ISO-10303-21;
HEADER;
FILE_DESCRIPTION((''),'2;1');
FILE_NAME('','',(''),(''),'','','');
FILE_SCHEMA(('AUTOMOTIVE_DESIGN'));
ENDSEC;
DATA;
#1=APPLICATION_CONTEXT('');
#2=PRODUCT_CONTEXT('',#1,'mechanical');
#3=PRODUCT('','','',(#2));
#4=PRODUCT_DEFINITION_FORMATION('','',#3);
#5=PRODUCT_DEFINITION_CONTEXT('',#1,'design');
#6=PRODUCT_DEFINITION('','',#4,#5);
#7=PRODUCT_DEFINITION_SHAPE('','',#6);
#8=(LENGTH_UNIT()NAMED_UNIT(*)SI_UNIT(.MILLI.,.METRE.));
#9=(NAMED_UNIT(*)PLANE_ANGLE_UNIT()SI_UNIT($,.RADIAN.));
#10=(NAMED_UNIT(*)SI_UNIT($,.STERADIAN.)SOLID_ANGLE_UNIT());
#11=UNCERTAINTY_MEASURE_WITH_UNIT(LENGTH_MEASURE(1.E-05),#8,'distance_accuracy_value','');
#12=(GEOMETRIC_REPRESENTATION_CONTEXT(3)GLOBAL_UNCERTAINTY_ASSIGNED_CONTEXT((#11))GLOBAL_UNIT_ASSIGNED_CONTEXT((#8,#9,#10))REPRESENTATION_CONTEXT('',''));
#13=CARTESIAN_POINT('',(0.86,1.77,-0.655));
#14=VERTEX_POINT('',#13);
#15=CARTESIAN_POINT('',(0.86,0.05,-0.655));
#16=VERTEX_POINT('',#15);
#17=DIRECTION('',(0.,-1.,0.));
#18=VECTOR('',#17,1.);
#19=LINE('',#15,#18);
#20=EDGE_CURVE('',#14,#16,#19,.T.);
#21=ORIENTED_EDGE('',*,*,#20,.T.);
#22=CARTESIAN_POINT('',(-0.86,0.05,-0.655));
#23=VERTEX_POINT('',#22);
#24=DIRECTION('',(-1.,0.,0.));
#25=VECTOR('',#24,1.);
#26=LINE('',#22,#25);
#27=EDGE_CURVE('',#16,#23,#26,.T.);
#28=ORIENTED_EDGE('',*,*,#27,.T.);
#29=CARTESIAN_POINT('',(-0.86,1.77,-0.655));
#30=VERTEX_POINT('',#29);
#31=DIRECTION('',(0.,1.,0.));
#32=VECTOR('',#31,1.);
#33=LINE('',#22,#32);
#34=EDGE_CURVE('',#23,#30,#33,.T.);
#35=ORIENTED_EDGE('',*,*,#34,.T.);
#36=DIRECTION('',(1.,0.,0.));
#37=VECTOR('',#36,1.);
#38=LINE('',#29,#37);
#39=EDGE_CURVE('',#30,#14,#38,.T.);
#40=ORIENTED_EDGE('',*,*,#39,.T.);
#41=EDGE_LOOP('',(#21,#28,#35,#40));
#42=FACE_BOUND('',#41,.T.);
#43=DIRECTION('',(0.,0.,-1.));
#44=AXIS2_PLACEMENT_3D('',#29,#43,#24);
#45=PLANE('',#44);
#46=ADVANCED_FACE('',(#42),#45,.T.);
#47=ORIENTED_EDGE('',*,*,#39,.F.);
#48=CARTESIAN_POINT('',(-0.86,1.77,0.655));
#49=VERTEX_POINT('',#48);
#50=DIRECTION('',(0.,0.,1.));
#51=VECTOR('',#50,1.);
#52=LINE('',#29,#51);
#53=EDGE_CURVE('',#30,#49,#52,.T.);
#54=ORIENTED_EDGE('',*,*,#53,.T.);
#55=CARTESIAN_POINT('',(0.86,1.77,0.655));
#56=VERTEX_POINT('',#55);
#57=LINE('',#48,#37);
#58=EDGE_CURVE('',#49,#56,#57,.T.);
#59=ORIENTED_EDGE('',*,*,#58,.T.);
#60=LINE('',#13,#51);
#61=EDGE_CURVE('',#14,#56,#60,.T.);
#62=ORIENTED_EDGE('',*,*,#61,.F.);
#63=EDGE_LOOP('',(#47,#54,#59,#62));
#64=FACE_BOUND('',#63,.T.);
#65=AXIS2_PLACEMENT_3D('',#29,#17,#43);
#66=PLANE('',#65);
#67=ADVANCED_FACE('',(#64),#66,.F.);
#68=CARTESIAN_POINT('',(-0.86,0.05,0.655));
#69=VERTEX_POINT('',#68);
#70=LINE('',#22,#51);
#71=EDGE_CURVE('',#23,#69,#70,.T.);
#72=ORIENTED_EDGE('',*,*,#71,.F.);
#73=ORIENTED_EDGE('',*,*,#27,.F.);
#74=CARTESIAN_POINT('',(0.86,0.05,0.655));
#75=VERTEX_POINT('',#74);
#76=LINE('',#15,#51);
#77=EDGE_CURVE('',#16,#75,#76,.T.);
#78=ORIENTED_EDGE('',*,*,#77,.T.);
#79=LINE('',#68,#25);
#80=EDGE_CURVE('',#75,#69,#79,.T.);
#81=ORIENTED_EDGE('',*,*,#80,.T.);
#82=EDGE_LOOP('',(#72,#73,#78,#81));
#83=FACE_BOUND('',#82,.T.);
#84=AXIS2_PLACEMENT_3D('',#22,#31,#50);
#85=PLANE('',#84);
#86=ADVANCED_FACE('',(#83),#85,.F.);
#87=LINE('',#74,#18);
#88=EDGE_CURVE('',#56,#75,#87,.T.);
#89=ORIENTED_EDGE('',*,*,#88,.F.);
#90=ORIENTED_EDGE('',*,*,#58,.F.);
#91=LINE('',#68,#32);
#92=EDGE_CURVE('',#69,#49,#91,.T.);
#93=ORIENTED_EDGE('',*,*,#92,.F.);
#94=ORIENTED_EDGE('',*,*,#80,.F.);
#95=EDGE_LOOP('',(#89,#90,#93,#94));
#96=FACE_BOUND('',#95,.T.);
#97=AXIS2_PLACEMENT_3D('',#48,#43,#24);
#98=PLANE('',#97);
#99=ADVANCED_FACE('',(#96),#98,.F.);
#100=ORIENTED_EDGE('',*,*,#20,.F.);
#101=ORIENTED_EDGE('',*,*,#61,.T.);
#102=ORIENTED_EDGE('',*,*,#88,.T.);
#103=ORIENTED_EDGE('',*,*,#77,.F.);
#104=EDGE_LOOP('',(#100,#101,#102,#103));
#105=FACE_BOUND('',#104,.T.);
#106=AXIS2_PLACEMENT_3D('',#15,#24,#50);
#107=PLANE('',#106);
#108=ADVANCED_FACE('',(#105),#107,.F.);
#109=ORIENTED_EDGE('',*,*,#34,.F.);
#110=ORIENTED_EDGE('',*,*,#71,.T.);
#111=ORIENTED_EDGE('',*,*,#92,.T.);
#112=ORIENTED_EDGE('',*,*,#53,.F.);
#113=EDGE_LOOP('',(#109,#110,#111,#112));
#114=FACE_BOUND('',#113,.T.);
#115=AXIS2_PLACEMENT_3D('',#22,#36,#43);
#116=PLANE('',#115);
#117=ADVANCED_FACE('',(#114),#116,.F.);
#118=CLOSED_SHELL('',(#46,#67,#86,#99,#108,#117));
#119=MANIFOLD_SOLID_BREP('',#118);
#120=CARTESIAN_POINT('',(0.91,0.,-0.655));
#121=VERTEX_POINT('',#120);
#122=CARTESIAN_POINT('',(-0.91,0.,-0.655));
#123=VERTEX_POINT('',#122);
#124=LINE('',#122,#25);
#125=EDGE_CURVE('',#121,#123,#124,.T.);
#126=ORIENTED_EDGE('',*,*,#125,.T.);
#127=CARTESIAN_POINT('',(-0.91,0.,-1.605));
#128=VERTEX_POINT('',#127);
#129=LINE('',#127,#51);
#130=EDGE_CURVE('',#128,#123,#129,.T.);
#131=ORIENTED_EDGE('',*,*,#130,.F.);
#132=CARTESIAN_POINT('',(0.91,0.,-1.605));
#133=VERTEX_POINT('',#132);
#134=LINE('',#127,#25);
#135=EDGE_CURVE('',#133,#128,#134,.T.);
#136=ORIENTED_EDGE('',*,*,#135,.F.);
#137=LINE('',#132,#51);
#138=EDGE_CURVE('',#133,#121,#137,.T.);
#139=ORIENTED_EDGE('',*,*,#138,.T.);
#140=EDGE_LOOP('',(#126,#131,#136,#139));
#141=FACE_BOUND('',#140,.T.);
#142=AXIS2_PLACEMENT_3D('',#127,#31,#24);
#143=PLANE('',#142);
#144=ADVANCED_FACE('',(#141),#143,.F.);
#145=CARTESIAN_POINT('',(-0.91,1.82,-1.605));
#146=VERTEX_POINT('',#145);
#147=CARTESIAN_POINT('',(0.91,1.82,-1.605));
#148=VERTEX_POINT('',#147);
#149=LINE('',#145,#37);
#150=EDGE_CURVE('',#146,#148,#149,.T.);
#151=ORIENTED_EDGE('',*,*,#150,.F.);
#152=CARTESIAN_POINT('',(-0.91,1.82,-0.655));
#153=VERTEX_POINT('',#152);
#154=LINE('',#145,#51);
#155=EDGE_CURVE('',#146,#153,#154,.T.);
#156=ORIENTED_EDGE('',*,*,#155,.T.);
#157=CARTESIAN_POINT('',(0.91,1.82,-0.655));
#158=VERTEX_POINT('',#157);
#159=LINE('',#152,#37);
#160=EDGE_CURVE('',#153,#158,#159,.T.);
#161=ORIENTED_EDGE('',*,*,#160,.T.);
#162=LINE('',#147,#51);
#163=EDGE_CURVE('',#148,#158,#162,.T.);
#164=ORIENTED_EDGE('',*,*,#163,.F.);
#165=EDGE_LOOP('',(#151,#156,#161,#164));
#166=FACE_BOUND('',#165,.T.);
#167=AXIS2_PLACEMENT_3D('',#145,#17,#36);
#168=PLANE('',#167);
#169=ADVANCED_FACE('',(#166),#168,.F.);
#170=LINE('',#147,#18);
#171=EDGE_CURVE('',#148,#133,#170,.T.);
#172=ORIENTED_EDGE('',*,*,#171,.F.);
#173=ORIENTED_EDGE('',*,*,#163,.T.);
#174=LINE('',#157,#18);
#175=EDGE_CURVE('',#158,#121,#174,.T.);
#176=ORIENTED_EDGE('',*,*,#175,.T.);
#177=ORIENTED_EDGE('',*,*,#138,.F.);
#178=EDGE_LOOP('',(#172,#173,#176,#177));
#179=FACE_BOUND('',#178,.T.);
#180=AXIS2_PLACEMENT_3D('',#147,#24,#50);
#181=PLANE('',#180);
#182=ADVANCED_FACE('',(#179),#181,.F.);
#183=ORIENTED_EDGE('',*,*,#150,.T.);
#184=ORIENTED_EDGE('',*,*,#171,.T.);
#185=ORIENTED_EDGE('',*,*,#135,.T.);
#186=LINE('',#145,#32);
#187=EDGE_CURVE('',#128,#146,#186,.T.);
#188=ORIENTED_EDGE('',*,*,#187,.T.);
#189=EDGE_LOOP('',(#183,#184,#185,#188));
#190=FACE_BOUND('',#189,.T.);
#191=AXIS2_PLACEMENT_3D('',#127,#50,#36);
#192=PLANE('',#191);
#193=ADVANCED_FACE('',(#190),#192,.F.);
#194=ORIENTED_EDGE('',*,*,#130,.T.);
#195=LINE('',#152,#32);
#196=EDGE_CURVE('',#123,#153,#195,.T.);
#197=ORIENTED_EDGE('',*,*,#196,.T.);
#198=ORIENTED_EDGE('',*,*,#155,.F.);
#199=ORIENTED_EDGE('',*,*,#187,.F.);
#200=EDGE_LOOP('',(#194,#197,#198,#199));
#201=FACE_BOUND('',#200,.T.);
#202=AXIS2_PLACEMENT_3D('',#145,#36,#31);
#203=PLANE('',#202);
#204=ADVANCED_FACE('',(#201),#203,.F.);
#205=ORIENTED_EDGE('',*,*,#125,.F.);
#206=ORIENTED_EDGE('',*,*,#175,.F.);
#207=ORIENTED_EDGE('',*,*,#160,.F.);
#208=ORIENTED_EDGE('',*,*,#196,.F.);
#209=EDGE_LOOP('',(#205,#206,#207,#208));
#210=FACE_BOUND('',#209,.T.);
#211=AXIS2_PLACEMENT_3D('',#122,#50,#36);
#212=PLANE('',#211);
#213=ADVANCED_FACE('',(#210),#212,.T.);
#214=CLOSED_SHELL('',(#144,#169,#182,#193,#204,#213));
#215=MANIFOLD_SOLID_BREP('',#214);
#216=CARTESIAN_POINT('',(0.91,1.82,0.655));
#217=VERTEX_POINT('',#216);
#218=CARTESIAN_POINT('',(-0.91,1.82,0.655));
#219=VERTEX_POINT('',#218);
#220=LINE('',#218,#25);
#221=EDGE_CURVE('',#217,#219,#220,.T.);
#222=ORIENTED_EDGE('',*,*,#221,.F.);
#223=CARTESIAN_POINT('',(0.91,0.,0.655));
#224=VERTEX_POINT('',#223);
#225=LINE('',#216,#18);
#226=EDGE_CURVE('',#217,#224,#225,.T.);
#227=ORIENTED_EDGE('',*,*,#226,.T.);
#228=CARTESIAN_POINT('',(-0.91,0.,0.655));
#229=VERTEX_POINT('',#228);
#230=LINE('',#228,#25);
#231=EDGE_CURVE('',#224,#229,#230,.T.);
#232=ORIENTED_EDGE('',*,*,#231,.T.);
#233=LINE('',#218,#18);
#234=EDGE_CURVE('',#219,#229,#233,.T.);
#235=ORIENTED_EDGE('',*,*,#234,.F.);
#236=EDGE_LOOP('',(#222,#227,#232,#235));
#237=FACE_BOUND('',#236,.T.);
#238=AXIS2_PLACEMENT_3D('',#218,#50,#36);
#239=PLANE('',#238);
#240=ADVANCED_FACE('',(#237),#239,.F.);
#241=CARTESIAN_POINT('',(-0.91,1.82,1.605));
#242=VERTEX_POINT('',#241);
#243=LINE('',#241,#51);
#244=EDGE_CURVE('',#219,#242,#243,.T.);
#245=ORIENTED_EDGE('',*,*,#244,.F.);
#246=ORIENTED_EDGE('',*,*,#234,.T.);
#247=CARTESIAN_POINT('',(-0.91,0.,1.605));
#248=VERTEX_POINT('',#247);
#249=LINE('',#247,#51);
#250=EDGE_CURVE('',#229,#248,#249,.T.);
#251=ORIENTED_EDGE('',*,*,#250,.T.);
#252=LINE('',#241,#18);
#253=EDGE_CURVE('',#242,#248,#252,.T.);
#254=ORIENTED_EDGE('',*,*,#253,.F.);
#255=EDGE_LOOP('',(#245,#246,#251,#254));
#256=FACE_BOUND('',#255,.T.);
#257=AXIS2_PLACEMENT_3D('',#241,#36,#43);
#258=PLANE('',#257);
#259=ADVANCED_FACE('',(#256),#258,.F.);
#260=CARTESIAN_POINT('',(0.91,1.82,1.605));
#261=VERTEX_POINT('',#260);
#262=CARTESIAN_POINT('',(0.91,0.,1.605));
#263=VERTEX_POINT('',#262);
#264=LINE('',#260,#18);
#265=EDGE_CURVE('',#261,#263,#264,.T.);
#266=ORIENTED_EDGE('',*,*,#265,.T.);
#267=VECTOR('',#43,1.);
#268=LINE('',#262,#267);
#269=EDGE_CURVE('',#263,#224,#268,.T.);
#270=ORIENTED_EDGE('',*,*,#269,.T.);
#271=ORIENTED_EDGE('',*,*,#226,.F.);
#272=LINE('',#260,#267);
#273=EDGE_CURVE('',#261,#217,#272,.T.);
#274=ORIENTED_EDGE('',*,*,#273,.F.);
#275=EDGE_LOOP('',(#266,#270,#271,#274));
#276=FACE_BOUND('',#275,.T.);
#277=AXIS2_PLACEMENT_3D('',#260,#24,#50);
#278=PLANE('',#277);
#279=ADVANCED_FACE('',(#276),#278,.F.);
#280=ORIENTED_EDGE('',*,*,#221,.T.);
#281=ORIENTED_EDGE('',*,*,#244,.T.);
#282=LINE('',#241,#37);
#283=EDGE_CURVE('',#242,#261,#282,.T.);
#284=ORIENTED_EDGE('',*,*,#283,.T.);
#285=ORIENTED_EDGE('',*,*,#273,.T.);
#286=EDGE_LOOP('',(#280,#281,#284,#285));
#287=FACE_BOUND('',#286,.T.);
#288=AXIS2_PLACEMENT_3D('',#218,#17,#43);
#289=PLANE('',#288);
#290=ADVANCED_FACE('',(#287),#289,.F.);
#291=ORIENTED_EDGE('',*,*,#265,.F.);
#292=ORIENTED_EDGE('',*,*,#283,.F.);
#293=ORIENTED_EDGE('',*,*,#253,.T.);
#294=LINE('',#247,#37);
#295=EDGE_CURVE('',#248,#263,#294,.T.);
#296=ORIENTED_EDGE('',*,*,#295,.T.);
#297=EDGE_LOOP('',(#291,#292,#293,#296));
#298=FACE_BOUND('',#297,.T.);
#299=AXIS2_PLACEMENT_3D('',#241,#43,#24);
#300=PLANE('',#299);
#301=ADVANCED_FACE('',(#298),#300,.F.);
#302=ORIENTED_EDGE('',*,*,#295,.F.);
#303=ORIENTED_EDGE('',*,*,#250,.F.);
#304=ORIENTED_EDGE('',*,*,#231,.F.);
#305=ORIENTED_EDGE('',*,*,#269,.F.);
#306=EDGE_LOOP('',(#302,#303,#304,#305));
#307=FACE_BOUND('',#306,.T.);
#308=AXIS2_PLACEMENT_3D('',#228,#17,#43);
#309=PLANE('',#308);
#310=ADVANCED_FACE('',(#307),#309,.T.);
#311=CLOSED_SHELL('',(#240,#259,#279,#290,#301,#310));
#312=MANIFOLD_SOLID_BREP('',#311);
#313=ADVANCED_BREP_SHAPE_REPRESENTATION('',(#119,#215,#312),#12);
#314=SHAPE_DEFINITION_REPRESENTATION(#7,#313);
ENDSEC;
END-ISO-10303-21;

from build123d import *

# Parameters (mm, degrees)
SKETCH2_W           = 1.82
SKETCH2_H           = 0.95
BOSS_EXTRUDE1_DEPTH = 1.82
SKETCH4_W           = 1.72
SKETCH4_H           = 1.72
BOSS_EXTRUDE2_DEPTH = 1.31
SKETCH5_W           = 1.82
SKETCH5_H           = 1.82
BOSS_EXTRUDE3_DEPTH = 0.95


with BuildPart() as part:
    # Sketch2 → Boss-Extrude1 (new body)
    with BuildSketch(Plane(origin=(0, 0, 0), x_dir=(1, 0, 0), z_dir=(0, 1, 0))):
        with Locations((0, -1.13)):
            Rectangle(SKETCH2_W, SKETCH2_H)
    extrude(amount=BOSS_EXTRUDE1_DEPTH)


with BuildPart() as body_2:
    # Sketch4 → Boss-Extrude2 (new body)
    with BuildSketch(Plane(origin=(0, 0, 0.655), x_dir=(-1, 0, 0), z_dir=(0, 0, -1))):
        with Locations((0, 0.91)):
            Rectangle(SKETCH4_W, SKETCH4_H)
    extrude(amount=BOSS_EXTRUDE2_DEPTH)


with BuildPart() as body_3:
    # Sketch5 → Boss-Extrude3 (new body)
    with BuildSketch(Plane(origin=(0, 0, -0.655), x_dir=(-1, 0, 0), z_dir=(0, 0, -1))):
        with Locations((0, 0.91)):
            Rectangle(SKETCH5_W, SKETCH5_H)
    extrude(amount=BOSS_EXTRUDE3_DEPTH)


solid = Compound([part.part, body_2.part, body_3.part])
